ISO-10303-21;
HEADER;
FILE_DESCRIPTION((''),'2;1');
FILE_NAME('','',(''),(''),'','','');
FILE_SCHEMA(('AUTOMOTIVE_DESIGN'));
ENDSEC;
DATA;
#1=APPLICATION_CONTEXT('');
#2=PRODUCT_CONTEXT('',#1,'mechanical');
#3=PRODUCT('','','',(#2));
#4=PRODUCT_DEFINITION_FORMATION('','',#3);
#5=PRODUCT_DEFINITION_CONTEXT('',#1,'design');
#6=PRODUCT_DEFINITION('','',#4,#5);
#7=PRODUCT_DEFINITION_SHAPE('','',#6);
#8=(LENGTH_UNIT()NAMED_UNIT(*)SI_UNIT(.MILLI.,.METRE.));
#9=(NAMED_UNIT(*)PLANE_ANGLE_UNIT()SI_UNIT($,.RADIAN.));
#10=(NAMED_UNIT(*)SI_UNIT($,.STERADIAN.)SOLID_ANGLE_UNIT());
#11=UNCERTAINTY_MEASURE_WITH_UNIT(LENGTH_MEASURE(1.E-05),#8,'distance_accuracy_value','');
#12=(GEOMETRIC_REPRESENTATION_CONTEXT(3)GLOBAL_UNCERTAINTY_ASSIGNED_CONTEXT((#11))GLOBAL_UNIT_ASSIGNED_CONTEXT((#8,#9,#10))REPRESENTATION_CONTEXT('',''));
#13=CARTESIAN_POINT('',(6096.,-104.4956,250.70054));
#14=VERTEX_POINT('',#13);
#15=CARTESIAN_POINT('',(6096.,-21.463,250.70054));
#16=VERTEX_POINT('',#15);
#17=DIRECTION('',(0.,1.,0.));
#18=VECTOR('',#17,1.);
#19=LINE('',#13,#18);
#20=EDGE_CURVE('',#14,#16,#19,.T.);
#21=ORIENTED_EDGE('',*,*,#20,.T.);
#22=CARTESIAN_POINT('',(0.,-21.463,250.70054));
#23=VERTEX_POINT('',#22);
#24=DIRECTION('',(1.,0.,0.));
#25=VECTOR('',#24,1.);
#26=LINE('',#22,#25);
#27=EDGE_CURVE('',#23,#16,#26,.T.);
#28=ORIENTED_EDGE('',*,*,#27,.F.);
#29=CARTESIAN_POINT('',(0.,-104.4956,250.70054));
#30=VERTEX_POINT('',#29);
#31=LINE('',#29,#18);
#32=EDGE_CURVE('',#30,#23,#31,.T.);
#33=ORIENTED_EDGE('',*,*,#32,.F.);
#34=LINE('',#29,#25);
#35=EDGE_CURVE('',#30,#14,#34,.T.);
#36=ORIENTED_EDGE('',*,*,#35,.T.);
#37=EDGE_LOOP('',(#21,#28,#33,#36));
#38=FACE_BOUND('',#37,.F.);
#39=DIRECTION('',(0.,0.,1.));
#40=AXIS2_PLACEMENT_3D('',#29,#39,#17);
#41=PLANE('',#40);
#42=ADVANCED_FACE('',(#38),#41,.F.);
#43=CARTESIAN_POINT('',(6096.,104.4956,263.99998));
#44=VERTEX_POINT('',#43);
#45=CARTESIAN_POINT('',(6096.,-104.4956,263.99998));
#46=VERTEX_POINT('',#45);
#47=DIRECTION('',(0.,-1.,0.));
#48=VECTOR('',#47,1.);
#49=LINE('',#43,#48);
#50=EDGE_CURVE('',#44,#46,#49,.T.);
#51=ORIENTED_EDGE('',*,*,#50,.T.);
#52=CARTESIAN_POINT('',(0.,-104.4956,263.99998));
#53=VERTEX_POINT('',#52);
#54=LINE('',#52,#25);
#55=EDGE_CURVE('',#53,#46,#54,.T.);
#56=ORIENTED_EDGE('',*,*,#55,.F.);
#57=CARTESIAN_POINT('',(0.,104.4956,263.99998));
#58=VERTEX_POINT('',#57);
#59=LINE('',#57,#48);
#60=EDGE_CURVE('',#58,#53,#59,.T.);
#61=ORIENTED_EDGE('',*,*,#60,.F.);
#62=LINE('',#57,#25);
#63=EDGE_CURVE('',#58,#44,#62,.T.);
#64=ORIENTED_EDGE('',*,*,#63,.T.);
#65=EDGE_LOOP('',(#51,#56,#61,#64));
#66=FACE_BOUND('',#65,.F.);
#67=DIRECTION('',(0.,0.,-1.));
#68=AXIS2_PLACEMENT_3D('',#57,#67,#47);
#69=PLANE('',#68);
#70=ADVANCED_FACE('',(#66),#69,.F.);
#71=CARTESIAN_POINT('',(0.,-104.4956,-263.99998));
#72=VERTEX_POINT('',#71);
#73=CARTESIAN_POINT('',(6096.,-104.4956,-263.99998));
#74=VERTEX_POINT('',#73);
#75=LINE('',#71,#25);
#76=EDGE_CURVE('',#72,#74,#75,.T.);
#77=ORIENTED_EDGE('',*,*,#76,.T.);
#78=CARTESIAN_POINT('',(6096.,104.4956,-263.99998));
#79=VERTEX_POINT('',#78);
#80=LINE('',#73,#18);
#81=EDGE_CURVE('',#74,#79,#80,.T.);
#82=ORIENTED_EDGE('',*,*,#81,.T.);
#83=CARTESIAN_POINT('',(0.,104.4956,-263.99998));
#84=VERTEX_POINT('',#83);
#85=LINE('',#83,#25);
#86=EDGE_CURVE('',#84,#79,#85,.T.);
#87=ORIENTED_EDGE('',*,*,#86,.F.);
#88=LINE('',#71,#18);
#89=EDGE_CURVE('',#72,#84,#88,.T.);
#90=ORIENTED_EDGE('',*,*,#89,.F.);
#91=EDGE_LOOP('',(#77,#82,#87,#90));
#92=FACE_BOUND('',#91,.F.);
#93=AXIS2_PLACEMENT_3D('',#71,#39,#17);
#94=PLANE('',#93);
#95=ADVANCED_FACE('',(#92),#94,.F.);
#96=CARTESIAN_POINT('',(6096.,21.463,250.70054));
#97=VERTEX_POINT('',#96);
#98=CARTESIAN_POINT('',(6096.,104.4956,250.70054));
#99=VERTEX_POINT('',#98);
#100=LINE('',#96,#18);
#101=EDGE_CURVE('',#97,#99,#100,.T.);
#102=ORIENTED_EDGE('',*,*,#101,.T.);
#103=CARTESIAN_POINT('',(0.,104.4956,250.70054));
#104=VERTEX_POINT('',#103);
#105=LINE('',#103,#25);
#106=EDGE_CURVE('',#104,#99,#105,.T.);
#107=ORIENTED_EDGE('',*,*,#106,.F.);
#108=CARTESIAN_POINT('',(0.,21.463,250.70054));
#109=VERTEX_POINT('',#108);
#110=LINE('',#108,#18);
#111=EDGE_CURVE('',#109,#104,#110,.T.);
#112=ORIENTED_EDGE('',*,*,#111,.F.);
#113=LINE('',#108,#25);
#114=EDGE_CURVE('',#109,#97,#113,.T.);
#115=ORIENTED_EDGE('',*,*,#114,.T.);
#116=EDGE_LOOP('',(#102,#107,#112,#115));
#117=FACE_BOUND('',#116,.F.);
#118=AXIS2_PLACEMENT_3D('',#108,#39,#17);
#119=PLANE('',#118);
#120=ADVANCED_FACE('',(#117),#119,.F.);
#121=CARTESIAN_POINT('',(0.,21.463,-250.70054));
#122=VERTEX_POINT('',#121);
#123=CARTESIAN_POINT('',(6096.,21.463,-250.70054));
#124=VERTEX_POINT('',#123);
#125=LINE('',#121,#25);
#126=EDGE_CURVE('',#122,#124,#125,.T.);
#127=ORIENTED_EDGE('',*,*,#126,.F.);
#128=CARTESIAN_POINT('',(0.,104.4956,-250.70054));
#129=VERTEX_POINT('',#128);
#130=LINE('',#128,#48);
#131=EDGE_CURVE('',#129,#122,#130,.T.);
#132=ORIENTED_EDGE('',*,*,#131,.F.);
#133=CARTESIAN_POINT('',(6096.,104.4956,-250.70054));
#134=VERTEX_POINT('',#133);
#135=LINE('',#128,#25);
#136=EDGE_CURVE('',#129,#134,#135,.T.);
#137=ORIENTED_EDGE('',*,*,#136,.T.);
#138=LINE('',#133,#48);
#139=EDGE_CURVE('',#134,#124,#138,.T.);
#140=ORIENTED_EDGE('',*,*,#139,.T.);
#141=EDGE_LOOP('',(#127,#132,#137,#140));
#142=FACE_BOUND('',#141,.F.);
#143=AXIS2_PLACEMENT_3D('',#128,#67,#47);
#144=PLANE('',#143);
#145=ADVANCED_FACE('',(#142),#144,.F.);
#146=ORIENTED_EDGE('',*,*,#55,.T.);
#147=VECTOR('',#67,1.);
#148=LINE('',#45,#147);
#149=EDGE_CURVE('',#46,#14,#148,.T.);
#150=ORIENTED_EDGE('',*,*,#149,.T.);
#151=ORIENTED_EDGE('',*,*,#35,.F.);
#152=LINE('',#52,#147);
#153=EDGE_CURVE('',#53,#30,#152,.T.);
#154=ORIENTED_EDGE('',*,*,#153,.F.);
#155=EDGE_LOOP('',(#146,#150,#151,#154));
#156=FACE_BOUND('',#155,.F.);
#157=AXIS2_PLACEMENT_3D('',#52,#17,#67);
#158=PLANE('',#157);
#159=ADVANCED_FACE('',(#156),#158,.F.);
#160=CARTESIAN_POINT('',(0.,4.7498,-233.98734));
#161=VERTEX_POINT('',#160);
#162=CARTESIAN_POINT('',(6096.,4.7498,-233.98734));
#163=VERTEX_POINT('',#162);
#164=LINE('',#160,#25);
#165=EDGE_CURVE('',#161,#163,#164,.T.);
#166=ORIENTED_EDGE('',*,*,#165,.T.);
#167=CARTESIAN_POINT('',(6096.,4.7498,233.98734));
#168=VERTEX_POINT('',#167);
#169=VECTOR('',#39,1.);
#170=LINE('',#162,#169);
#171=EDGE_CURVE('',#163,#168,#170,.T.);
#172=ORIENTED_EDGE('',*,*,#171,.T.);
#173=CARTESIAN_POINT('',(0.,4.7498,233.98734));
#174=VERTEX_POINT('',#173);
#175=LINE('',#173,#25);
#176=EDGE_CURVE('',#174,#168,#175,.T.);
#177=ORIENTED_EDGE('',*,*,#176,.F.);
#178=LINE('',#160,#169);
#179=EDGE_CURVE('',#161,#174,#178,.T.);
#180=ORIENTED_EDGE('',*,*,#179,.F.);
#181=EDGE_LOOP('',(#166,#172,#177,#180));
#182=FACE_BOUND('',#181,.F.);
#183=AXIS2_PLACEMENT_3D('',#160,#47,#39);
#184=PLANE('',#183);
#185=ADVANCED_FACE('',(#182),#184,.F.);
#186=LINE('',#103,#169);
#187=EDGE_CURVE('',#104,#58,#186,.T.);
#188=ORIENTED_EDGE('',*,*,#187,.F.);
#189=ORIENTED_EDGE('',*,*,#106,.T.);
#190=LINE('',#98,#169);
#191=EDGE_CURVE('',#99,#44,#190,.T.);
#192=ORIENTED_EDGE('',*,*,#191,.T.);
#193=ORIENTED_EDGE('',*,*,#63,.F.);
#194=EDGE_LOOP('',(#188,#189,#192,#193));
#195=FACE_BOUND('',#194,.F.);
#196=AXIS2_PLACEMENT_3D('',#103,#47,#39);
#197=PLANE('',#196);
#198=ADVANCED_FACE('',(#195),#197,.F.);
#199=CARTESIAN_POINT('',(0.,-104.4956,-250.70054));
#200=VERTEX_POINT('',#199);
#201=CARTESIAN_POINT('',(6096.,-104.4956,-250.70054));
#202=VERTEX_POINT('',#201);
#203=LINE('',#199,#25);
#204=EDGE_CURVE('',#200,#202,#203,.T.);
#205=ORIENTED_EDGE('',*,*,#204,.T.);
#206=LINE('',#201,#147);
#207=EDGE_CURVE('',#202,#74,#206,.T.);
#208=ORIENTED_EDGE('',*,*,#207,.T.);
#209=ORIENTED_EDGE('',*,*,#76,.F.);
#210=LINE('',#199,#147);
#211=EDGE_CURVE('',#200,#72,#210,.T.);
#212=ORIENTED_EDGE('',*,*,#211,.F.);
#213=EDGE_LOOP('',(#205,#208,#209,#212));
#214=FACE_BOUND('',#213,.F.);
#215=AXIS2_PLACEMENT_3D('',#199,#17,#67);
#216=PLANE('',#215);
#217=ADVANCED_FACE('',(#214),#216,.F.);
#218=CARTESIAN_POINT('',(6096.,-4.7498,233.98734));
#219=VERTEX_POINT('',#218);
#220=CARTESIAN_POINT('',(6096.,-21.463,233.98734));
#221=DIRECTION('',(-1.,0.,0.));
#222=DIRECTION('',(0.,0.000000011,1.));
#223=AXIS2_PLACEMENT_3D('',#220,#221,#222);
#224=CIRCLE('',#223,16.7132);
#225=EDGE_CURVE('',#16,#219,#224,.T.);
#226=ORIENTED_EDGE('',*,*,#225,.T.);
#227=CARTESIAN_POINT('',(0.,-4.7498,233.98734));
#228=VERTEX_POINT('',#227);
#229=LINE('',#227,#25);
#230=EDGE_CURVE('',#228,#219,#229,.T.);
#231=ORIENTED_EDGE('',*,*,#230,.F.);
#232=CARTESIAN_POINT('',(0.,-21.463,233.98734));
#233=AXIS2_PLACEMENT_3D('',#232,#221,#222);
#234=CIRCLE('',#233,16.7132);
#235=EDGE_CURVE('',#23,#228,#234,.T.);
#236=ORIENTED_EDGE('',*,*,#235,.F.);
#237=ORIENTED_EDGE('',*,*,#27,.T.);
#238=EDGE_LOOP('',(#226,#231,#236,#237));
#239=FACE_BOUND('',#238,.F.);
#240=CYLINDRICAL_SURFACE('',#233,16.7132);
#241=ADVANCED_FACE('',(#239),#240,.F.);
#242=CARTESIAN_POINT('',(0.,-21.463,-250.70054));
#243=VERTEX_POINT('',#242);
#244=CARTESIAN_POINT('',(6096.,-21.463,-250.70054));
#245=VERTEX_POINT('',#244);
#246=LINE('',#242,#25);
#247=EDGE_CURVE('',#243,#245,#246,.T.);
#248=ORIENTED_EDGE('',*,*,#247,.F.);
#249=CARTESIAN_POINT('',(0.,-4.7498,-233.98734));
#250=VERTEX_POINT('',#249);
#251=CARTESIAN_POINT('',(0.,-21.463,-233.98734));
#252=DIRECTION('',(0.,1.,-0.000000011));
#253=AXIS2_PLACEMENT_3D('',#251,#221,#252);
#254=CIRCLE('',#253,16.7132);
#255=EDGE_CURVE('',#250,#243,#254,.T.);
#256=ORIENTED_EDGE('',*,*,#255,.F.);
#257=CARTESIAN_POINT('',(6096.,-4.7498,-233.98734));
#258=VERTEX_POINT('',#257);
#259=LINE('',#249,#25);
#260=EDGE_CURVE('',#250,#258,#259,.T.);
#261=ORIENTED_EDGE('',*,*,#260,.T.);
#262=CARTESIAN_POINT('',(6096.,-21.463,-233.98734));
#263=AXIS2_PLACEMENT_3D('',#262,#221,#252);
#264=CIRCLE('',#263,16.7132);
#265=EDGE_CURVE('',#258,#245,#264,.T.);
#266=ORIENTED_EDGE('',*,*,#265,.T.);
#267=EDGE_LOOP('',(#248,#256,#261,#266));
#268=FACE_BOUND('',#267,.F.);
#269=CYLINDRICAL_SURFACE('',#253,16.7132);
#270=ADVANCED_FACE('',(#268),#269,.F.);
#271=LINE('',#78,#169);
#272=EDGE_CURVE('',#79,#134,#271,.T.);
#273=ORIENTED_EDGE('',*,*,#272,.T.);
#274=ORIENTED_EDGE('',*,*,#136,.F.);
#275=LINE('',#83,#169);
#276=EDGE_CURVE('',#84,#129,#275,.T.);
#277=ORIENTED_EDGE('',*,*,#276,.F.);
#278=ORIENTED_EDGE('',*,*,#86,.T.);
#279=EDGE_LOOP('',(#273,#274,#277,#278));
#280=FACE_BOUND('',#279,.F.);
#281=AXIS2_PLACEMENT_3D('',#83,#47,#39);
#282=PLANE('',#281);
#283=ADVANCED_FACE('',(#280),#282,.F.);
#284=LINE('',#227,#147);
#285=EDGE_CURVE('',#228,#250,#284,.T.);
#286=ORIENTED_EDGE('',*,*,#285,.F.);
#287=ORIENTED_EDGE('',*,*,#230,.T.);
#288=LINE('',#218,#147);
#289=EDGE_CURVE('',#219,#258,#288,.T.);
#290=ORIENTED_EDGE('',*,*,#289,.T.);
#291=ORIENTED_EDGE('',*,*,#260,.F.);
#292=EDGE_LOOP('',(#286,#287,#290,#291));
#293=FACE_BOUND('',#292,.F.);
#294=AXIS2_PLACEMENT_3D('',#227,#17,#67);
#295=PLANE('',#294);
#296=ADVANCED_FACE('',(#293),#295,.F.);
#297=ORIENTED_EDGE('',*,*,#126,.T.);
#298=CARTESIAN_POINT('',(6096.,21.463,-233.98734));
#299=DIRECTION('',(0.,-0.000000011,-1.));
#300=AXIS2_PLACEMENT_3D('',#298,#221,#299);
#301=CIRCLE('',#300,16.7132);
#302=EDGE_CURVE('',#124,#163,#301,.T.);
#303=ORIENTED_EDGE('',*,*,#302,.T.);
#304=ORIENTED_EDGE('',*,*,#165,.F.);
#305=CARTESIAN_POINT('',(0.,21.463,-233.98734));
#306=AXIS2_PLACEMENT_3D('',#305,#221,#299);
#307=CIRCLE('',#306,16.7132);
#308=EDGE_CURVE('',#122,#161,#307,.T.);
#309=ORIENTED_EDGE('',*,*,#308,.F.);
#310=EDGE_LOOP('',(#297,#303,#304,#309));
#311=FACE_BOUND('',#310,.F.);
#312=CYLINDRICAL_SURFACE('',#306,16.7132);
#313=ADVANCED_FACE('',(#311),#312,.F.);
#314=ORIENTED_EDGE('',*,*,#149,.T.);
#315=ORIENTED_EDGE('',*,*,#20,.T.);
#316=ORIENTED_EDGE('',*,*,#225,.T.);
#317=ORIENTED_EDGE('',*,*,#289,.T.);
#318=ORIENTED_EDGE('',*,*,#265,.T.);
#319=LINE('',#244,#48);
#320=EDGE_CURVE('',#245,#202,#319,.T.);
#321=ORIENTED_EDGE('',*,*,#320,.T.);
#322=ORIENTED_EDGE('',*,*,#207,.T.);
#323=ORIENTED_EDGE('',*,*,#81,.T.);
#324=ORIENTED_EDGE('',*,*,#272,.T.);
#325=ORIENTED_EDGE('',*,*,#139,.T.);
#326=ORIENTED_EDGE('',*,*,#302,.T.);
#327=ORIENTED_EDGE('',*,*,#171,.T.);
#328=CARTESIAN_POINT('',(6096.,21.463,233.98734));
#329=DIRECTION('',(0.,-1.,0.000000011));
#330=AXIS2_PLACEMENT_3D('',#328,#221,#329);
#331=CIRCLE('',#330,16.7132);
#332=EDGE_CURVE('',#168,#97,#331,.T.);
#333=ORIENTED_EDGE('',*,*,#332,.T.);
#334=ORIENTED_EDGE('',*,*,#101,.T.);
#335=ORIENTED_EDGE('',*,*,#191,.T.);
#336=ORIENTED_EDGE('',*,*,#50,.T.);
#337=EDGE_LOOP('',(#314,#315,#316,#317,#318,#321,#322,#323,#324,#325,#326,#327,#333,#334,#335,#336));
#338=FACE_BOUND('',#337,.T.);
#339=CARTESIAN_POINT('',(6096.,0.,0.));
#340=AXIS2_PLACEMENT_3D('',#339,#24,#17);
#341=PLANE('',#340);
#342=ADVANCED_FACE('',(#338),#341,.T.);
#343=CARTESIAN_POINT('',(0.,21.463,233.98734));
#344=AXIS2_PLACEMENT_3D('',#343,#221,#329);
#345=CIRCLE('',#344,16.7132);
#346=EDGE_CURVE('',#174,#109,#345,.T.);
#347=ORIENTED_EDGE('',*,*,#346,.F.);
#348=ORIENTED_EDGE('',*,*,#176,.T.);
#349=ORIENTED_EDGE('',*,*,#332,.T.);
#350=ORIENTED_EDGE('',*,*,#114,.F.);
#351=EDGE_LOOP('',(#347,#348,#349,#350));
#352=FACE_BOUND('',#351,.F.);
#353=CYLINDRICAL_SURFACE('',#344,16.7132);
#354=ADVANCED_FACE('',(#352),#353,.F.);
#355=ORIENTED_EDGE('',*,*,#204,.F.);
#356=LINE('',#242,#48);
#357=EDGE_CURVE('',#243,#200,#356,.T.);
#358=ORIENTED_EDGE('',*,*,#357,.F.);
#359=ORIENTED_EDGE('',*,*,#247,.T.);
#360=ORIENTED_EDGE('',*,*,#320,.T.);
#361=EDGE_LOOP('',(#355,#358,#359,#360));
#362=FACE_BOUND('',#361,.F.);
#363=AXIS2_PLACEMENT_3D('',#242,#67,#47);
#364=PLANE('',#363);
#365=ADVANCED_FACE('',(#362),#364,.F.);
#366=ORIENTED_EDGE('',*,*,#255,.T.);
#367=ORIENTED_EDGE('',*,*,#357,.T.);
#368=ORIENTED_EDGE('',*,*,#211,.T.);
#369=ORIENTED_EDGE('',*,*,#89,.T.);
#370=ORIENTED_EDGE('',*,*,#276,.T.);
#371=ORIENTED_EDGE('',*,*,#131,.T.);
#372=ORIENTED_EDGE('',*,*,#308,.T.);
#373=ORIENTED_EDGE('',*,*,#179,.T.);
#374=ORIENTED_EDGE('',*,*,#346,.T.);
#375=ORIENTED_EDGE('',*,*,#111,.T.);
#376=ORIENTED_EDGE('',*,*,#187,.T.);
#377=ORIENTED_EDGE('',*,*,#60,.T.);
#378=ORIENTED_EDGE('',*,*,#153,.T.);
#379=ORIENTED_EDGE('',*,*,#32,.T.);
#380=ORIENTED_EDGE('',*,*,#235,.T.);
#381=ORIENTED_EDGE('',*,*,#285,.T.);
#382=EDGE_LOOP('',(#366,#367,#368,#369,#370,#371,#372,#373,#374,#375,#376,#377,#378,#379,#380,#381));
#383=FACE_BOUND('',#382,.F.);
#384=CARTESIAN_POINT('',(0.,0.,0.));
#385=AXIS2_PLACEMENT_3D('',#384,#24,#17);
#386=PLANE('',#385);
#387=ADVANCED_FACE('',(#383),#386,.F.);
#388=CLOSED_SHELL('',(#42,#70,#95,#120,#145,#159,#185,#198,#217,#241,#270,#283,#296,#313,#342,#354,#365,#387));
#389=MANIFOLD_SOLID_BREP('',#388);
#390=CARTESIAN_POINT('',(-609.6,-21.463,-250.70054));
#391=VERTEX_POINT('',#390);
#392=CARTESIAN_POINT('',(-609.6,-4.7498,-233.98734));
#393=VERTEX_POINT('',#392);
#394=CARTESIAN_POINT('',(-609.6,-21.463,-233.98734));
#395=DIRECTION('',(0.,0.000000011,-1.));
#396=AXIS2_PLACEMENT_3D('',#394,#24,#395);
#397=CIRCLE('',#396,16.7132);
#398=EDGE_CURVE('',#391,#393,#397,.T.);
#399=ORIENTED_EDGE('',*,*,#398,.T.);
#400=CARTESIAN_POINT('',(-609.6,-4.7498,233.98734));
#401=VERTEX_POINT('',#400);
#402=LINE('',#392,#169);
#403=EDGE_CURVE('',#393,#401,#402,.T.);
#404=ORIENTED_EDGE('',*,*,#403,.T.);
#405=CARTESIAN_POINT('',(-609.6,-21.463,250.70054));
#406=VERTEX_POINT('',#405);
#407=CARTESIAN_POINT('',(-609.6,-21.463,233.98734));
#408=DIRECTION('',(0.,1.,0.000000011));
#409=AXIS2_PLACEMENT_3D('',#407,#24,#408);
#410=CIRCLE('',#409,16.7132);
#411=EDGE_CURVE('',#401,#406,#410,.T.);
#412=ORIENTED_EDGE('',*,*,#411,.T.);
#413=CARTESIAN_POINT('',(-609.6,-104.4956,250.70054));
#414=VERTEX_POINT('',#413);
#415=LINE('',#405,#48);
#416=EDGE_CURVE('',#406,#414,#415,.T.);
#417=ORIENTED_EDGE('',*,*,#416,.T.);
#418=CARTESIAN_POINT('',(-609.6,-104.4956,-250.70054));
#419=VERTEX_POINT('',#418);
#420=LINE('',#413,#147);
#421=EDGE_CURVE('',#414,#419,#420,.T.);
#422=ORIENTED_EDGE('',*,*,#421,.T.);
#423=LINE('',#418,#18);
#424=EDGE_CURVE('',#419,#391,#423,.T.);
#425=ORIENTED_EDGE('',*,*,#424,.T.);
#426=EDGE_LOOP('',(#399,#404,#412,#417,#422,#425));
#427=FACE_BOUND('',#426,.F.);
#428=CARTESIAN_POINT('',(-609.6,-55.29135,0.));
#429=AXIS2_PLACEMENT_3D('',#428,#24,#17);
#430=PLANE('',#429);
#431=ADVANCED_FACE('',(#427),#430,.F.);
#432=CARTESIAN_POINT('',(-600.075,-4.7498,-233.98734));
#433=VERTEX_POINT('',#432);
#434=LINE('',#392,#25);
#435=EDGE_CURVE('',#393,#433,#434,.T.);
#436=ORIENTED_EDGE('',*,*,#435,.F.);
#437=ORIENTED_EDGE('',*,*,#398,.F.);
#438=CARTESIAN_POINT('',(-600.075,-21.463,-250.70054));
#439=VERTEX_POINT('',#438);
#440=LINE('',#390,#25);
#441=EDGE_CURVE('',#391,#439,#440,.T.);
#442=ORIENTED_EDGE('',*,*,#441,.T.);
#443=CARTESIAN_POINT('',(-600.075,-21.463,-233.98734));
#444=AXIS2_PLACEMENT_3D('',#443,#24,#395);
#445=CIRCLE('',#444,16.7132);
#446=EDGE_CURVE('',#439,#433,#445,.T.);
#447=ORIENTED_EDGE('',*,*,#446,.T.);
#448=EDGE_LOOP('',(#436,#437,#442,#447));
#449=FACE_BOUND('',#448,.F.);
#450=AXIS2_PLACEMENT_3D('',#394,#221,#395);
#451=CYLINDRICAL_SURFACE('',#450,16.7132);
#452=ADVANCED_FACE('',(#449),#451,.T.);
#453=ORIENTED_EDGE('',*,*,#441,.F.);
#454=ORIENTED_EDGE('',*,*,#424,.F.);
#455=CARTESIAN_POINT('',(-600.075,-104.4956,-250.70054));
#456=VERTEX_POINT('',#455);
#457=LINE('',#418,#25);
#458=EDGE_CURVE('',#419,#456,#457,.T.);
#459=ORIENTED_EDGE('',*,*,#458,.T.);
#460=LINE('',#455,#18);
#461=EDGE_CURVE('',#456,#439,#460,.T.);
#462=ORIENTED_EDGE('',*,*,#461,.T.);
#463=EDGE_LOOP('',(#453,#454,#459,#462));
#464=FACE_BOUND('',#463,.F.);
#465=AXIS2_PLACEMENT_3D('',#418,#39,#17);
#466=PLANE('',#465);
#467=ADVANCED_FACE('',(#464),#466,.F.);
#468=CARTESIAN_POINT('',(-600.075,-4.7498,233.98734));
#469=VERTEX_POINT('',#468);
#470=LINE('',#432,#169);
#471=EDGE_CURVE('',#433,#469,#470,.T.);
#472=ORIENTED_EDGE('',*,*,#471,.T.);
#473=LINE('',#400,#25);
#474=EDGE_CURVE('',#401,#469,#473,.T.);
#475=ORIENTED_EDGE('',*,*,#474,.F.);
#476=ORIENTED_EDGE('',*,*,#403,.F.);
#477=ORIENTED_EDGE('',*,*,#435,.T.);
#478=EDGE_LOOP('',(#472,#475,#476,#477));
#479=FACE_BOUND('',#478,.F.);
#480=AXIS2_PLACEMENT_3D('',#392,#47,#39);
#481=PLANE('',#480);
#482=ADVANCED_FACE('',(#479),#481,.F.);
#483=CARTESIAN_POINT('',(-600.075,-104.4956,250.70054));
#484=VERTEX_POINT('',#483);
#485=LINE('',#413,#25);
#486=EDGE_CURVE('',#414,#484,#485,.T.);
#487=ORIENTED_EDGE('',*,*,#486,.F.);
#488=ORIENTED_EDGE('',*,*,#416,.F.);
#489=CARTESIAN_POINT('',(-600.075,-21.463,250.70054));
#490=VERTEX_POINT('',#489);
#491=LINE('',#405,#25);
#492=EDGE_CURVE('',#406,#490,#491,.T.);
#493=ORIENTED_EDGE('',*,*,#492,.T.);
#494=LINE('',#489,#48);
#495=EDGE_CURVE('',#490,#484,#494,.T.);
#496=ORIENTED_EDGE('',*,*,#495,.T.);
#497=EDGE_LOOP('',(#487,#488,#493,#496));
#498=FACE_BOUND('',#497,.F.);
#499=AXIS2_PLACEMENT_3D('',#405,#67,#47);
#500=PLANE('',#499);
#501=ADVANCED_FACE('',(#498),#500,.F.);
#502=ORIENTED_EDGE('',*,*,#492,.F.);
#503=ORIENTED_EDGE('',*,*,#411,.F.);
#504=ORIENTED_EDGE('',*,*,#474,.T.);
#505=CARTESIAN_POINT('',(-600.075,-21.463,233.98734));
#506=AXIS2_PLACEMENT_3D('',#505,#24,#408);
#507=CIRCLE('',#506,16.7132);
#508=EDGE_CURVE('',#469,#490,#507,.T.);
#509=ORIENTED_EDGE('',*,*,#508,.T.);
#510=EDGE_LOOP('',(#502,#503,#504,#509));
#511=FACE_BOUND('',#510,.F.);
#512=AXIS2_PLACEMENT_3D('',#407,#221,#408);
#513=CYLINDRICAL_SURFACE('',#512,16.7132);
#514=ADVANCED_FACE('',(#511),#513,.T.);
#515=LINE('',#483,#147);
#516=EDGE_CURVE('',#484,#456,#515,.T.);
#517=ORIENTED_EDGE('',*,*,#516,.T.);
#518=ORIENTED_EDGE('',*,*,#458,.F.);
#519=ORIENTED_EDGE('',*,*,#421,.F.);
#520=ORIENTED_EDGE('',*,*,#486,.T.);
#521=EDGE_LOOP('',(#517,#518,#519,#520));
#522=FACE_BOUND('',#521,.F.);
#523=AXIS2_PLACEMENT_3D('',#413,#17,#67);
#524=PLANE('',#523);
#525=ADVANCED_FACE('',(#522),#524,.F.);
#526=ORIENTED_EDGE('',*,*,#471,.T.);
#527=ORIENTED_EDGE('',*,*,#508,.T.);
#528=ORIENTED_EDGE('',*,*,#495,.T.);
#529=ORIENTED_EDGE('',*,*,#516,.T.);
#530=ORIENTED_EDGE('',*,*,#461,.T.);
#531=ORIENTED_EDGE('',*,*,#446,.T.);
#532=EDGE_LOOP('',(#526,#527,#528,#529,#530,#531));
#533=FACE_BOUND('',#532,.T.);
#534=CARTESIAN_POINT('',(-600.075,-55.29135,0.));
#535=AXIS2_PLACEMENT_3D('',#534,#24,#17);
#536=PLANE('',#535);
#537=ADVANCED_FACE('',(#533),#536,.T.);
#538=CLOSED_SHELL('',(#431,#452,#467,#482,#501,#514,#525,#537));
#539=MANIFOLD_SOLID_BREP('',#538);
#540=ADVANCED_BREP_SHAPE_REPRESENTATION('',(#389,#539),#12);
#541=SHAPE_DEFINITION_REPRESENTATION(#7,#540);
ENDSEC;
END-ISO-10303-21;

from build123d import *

# Parameters (mm, degrees)
F1_DEPTH = 6096
F4_DEPTH = 9.525


with BuildPart() as f1:
    # F0 (on Right) → F1 (new body)
    with BuildSketch(Plane.YZ):
        with BuildLine():
            Line((-4.7498, 233.98734), (-4.7498, 0))
            Line((-4.7498, 0), (-4.7498, -233.98734))
            ThreePointArc((-4.7498, -233.98734), (-9.644983, -245.805357), (-21.463, -250.70054))
            Line((-21.463, -250.70054), (-104.4956, -250.70054))
            Line((-104.4956, -250.70054), (-104.4956, -263.99998))
            Line((-104.4956, -263.99998), (0, -263.99998))
            Line((0, -263.99998), (104.4956, -263.99998))
            Line((104.4956, -263.99998), (104.4956, -250.70054))
            Line((104.4956, -250.70054), (21.463, -250.70054))
            ThreePointArc((21.463, -250.70054), (9.644983, -245.805357), (4.7498, -233.98734))
            Line((4.7498, -233.98734), (4.7498, 0))
            Line((4.7498, 0), (4.7498, 233.98734))
            ThreePointArc((4.7498, 233.98734), (9.644983, 245.805357), (21.463, 250.70054))
            Line((21.463, 250.70054), (104.4956, 250.70054))
            Line((104.4956, 250.70054), (104.4956, 263.99998))
            Line((104.4956, 263.99998), (0, 263.99998))
            Line((0, 263.99998), (-104.4956, 263.99998))
            Line((-104.4956, 263.99998), (-104.4956, 250.70054))
            Line((-104.4956, 250.70054), (-21.463, 250.70054))
            ThreePointArc((-21.463, 250.70054), (-9.644983, 245.805357), (-4.7498, 233.98734))
        make_face()
    extrude(amount=F1_DEPTH)


with BuildPart() as f4:
    # F3 (on offset) → F4 (new body)
    with BuildSketch(Plane.YZ.offset(-609.6)):
        with BuildLine():
            ThreePointArc((-4.7498, 233.98734), (-9.644983, 245.805357), (-21.463, 250.70054))
            Line((-21.463, 250.70054), (-104.4956, 250.70054))
            Line((-104.4956, 250.70054), (-104.4956, -250.70054))
            Line((-104.4956, -250.70054), (-21.463, -250.70054))
            ThreePointArc((-21.463, -250.70054), (-9.644983, -245.805357), (-4.7498, -233.98734))
            Line((-4.7498, -233.98734), (-4.7498, 233.98734))
        make_face()
    extrude(amount=F4_DEPTH)


solid = Compound([f1.part, f4.part])
